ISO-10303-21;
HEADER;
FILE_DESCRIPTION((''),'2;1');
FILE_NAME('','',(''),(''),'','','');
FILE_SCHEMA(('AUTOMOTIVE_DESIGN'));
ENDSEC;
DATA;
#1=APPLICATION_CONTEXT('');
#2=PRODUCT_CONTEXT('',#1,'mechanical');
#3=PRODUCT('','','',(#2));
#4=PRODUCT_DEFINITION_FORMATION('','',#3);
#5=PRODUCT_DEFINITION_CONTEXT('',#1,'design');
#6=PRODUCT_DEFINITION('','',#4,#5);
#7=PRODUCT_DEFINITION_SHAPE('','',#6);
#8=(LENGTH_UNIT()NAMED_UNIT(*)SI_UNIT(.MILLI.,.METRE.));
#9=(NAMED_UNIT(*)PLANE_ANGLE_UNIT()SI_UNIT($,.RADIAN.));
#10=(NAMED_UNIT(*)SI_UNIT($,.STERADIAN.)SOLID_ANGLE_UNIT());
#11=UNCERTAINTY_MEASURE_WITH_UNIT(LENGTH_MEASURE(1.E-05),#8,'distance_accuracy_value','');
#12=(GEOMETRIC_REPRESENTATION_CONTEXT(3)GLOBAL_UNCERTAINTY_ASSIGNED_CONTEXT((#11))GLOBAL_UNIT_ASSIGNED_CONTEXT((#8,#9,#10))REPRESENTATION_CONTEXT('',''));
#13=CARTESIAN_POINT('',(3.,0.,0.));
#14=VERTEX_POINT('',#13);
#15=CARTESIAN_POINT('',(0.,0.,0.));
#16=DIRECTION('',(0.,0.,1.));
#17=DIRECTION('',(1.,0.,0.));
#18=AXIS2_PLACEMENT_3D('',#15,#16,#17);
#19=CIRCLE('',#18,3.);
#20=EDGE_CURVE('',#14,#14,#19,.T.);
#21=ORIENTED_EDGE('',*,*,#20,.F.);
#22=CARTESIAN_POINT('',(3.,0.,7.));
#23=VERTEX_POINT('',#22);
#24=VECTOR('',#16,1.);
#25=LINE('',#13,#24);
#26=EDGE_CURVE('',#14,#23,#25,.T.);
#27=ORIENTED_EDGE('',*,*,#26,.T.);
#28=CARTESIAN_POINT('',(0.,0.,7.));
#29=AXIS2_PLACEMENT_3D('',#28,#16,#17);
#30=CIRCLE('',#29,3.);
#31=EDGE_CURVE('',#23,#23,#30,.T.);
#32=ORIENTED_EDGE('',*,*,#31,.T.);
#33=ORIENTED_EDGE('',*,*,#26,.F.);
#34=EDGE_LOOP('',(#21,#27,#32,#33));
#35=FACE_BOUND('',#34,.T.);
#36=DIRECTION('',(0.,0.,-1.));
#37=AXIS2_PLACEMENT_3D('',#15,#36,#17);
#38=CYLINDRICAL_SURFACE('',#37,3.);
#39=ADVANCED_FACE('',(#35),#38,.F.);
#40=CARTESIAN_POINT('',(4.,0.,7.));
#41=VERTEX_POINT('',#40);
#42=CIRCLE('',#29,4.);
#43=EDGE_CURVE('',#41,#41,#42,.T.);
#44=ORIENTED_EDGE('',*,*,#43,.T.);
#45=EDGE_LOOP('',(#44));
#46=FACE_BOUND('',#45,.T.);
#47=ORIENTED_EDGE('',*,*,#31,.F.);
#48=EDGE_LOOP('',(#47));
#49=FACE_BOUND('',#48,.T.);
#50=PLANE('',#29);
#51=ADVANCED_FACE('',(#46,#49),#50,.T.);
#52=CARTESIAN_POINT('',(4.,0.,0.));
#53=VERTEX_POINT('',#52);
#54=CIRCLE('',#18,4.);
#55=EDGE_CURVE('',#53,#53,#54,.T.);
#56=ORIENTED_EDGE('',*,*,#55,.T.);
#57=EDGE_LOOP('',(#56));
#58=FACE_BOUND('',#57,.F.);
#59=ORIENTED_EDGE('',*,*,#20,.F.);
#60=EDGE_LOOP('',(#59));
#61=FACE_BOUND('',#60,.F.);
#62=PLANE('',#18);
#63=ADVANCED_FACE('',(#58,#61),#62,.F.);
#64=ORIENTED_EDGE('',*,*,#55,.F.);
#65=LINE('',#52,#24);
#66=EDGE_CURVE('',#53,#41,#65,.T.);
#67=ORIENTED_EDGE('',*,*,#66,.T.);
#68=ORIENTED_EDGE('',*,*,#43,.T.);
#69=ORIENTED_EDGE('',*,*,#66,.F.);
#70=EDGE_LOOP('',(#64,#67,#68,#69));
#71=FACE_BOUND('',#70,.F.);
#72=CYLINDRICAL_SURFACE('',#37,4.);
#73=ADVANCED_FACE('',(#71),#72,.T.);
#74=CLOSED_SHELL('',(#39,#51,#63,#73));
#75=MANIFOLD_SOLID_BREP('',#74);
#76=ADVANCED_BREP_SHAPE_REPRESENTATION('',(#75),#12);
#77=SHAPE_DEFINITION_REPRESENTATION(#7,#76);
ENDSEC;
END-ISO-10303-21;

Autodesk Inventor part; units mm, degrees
ref_plane "YZ Plane" through (0, 0, 0) normal (1, 0, 0) x (0, 1, 0)
ref_plane "XZ Plane" through (0, 0, 0) normal (0, 1, 0) x (-1, 0, 0)
ref_plane "XY Plane" through (0, 0, 0) normal (0, 0, 1) x (1, 0, 0)
sketch "Skizze1" plane through (0, 0, 0) normal (0, 0, 1) x (1, 0, 0)
  circle A0 centre (0, 0) radius 4
  circle A1 centre (0, 0) radius 3
  dimension "d0" = 6
  dimension "d1" = 8
extrude "Extrusion1" add sketch "Skizze1" along normal blind 7
properties part number "13_0204_045"
